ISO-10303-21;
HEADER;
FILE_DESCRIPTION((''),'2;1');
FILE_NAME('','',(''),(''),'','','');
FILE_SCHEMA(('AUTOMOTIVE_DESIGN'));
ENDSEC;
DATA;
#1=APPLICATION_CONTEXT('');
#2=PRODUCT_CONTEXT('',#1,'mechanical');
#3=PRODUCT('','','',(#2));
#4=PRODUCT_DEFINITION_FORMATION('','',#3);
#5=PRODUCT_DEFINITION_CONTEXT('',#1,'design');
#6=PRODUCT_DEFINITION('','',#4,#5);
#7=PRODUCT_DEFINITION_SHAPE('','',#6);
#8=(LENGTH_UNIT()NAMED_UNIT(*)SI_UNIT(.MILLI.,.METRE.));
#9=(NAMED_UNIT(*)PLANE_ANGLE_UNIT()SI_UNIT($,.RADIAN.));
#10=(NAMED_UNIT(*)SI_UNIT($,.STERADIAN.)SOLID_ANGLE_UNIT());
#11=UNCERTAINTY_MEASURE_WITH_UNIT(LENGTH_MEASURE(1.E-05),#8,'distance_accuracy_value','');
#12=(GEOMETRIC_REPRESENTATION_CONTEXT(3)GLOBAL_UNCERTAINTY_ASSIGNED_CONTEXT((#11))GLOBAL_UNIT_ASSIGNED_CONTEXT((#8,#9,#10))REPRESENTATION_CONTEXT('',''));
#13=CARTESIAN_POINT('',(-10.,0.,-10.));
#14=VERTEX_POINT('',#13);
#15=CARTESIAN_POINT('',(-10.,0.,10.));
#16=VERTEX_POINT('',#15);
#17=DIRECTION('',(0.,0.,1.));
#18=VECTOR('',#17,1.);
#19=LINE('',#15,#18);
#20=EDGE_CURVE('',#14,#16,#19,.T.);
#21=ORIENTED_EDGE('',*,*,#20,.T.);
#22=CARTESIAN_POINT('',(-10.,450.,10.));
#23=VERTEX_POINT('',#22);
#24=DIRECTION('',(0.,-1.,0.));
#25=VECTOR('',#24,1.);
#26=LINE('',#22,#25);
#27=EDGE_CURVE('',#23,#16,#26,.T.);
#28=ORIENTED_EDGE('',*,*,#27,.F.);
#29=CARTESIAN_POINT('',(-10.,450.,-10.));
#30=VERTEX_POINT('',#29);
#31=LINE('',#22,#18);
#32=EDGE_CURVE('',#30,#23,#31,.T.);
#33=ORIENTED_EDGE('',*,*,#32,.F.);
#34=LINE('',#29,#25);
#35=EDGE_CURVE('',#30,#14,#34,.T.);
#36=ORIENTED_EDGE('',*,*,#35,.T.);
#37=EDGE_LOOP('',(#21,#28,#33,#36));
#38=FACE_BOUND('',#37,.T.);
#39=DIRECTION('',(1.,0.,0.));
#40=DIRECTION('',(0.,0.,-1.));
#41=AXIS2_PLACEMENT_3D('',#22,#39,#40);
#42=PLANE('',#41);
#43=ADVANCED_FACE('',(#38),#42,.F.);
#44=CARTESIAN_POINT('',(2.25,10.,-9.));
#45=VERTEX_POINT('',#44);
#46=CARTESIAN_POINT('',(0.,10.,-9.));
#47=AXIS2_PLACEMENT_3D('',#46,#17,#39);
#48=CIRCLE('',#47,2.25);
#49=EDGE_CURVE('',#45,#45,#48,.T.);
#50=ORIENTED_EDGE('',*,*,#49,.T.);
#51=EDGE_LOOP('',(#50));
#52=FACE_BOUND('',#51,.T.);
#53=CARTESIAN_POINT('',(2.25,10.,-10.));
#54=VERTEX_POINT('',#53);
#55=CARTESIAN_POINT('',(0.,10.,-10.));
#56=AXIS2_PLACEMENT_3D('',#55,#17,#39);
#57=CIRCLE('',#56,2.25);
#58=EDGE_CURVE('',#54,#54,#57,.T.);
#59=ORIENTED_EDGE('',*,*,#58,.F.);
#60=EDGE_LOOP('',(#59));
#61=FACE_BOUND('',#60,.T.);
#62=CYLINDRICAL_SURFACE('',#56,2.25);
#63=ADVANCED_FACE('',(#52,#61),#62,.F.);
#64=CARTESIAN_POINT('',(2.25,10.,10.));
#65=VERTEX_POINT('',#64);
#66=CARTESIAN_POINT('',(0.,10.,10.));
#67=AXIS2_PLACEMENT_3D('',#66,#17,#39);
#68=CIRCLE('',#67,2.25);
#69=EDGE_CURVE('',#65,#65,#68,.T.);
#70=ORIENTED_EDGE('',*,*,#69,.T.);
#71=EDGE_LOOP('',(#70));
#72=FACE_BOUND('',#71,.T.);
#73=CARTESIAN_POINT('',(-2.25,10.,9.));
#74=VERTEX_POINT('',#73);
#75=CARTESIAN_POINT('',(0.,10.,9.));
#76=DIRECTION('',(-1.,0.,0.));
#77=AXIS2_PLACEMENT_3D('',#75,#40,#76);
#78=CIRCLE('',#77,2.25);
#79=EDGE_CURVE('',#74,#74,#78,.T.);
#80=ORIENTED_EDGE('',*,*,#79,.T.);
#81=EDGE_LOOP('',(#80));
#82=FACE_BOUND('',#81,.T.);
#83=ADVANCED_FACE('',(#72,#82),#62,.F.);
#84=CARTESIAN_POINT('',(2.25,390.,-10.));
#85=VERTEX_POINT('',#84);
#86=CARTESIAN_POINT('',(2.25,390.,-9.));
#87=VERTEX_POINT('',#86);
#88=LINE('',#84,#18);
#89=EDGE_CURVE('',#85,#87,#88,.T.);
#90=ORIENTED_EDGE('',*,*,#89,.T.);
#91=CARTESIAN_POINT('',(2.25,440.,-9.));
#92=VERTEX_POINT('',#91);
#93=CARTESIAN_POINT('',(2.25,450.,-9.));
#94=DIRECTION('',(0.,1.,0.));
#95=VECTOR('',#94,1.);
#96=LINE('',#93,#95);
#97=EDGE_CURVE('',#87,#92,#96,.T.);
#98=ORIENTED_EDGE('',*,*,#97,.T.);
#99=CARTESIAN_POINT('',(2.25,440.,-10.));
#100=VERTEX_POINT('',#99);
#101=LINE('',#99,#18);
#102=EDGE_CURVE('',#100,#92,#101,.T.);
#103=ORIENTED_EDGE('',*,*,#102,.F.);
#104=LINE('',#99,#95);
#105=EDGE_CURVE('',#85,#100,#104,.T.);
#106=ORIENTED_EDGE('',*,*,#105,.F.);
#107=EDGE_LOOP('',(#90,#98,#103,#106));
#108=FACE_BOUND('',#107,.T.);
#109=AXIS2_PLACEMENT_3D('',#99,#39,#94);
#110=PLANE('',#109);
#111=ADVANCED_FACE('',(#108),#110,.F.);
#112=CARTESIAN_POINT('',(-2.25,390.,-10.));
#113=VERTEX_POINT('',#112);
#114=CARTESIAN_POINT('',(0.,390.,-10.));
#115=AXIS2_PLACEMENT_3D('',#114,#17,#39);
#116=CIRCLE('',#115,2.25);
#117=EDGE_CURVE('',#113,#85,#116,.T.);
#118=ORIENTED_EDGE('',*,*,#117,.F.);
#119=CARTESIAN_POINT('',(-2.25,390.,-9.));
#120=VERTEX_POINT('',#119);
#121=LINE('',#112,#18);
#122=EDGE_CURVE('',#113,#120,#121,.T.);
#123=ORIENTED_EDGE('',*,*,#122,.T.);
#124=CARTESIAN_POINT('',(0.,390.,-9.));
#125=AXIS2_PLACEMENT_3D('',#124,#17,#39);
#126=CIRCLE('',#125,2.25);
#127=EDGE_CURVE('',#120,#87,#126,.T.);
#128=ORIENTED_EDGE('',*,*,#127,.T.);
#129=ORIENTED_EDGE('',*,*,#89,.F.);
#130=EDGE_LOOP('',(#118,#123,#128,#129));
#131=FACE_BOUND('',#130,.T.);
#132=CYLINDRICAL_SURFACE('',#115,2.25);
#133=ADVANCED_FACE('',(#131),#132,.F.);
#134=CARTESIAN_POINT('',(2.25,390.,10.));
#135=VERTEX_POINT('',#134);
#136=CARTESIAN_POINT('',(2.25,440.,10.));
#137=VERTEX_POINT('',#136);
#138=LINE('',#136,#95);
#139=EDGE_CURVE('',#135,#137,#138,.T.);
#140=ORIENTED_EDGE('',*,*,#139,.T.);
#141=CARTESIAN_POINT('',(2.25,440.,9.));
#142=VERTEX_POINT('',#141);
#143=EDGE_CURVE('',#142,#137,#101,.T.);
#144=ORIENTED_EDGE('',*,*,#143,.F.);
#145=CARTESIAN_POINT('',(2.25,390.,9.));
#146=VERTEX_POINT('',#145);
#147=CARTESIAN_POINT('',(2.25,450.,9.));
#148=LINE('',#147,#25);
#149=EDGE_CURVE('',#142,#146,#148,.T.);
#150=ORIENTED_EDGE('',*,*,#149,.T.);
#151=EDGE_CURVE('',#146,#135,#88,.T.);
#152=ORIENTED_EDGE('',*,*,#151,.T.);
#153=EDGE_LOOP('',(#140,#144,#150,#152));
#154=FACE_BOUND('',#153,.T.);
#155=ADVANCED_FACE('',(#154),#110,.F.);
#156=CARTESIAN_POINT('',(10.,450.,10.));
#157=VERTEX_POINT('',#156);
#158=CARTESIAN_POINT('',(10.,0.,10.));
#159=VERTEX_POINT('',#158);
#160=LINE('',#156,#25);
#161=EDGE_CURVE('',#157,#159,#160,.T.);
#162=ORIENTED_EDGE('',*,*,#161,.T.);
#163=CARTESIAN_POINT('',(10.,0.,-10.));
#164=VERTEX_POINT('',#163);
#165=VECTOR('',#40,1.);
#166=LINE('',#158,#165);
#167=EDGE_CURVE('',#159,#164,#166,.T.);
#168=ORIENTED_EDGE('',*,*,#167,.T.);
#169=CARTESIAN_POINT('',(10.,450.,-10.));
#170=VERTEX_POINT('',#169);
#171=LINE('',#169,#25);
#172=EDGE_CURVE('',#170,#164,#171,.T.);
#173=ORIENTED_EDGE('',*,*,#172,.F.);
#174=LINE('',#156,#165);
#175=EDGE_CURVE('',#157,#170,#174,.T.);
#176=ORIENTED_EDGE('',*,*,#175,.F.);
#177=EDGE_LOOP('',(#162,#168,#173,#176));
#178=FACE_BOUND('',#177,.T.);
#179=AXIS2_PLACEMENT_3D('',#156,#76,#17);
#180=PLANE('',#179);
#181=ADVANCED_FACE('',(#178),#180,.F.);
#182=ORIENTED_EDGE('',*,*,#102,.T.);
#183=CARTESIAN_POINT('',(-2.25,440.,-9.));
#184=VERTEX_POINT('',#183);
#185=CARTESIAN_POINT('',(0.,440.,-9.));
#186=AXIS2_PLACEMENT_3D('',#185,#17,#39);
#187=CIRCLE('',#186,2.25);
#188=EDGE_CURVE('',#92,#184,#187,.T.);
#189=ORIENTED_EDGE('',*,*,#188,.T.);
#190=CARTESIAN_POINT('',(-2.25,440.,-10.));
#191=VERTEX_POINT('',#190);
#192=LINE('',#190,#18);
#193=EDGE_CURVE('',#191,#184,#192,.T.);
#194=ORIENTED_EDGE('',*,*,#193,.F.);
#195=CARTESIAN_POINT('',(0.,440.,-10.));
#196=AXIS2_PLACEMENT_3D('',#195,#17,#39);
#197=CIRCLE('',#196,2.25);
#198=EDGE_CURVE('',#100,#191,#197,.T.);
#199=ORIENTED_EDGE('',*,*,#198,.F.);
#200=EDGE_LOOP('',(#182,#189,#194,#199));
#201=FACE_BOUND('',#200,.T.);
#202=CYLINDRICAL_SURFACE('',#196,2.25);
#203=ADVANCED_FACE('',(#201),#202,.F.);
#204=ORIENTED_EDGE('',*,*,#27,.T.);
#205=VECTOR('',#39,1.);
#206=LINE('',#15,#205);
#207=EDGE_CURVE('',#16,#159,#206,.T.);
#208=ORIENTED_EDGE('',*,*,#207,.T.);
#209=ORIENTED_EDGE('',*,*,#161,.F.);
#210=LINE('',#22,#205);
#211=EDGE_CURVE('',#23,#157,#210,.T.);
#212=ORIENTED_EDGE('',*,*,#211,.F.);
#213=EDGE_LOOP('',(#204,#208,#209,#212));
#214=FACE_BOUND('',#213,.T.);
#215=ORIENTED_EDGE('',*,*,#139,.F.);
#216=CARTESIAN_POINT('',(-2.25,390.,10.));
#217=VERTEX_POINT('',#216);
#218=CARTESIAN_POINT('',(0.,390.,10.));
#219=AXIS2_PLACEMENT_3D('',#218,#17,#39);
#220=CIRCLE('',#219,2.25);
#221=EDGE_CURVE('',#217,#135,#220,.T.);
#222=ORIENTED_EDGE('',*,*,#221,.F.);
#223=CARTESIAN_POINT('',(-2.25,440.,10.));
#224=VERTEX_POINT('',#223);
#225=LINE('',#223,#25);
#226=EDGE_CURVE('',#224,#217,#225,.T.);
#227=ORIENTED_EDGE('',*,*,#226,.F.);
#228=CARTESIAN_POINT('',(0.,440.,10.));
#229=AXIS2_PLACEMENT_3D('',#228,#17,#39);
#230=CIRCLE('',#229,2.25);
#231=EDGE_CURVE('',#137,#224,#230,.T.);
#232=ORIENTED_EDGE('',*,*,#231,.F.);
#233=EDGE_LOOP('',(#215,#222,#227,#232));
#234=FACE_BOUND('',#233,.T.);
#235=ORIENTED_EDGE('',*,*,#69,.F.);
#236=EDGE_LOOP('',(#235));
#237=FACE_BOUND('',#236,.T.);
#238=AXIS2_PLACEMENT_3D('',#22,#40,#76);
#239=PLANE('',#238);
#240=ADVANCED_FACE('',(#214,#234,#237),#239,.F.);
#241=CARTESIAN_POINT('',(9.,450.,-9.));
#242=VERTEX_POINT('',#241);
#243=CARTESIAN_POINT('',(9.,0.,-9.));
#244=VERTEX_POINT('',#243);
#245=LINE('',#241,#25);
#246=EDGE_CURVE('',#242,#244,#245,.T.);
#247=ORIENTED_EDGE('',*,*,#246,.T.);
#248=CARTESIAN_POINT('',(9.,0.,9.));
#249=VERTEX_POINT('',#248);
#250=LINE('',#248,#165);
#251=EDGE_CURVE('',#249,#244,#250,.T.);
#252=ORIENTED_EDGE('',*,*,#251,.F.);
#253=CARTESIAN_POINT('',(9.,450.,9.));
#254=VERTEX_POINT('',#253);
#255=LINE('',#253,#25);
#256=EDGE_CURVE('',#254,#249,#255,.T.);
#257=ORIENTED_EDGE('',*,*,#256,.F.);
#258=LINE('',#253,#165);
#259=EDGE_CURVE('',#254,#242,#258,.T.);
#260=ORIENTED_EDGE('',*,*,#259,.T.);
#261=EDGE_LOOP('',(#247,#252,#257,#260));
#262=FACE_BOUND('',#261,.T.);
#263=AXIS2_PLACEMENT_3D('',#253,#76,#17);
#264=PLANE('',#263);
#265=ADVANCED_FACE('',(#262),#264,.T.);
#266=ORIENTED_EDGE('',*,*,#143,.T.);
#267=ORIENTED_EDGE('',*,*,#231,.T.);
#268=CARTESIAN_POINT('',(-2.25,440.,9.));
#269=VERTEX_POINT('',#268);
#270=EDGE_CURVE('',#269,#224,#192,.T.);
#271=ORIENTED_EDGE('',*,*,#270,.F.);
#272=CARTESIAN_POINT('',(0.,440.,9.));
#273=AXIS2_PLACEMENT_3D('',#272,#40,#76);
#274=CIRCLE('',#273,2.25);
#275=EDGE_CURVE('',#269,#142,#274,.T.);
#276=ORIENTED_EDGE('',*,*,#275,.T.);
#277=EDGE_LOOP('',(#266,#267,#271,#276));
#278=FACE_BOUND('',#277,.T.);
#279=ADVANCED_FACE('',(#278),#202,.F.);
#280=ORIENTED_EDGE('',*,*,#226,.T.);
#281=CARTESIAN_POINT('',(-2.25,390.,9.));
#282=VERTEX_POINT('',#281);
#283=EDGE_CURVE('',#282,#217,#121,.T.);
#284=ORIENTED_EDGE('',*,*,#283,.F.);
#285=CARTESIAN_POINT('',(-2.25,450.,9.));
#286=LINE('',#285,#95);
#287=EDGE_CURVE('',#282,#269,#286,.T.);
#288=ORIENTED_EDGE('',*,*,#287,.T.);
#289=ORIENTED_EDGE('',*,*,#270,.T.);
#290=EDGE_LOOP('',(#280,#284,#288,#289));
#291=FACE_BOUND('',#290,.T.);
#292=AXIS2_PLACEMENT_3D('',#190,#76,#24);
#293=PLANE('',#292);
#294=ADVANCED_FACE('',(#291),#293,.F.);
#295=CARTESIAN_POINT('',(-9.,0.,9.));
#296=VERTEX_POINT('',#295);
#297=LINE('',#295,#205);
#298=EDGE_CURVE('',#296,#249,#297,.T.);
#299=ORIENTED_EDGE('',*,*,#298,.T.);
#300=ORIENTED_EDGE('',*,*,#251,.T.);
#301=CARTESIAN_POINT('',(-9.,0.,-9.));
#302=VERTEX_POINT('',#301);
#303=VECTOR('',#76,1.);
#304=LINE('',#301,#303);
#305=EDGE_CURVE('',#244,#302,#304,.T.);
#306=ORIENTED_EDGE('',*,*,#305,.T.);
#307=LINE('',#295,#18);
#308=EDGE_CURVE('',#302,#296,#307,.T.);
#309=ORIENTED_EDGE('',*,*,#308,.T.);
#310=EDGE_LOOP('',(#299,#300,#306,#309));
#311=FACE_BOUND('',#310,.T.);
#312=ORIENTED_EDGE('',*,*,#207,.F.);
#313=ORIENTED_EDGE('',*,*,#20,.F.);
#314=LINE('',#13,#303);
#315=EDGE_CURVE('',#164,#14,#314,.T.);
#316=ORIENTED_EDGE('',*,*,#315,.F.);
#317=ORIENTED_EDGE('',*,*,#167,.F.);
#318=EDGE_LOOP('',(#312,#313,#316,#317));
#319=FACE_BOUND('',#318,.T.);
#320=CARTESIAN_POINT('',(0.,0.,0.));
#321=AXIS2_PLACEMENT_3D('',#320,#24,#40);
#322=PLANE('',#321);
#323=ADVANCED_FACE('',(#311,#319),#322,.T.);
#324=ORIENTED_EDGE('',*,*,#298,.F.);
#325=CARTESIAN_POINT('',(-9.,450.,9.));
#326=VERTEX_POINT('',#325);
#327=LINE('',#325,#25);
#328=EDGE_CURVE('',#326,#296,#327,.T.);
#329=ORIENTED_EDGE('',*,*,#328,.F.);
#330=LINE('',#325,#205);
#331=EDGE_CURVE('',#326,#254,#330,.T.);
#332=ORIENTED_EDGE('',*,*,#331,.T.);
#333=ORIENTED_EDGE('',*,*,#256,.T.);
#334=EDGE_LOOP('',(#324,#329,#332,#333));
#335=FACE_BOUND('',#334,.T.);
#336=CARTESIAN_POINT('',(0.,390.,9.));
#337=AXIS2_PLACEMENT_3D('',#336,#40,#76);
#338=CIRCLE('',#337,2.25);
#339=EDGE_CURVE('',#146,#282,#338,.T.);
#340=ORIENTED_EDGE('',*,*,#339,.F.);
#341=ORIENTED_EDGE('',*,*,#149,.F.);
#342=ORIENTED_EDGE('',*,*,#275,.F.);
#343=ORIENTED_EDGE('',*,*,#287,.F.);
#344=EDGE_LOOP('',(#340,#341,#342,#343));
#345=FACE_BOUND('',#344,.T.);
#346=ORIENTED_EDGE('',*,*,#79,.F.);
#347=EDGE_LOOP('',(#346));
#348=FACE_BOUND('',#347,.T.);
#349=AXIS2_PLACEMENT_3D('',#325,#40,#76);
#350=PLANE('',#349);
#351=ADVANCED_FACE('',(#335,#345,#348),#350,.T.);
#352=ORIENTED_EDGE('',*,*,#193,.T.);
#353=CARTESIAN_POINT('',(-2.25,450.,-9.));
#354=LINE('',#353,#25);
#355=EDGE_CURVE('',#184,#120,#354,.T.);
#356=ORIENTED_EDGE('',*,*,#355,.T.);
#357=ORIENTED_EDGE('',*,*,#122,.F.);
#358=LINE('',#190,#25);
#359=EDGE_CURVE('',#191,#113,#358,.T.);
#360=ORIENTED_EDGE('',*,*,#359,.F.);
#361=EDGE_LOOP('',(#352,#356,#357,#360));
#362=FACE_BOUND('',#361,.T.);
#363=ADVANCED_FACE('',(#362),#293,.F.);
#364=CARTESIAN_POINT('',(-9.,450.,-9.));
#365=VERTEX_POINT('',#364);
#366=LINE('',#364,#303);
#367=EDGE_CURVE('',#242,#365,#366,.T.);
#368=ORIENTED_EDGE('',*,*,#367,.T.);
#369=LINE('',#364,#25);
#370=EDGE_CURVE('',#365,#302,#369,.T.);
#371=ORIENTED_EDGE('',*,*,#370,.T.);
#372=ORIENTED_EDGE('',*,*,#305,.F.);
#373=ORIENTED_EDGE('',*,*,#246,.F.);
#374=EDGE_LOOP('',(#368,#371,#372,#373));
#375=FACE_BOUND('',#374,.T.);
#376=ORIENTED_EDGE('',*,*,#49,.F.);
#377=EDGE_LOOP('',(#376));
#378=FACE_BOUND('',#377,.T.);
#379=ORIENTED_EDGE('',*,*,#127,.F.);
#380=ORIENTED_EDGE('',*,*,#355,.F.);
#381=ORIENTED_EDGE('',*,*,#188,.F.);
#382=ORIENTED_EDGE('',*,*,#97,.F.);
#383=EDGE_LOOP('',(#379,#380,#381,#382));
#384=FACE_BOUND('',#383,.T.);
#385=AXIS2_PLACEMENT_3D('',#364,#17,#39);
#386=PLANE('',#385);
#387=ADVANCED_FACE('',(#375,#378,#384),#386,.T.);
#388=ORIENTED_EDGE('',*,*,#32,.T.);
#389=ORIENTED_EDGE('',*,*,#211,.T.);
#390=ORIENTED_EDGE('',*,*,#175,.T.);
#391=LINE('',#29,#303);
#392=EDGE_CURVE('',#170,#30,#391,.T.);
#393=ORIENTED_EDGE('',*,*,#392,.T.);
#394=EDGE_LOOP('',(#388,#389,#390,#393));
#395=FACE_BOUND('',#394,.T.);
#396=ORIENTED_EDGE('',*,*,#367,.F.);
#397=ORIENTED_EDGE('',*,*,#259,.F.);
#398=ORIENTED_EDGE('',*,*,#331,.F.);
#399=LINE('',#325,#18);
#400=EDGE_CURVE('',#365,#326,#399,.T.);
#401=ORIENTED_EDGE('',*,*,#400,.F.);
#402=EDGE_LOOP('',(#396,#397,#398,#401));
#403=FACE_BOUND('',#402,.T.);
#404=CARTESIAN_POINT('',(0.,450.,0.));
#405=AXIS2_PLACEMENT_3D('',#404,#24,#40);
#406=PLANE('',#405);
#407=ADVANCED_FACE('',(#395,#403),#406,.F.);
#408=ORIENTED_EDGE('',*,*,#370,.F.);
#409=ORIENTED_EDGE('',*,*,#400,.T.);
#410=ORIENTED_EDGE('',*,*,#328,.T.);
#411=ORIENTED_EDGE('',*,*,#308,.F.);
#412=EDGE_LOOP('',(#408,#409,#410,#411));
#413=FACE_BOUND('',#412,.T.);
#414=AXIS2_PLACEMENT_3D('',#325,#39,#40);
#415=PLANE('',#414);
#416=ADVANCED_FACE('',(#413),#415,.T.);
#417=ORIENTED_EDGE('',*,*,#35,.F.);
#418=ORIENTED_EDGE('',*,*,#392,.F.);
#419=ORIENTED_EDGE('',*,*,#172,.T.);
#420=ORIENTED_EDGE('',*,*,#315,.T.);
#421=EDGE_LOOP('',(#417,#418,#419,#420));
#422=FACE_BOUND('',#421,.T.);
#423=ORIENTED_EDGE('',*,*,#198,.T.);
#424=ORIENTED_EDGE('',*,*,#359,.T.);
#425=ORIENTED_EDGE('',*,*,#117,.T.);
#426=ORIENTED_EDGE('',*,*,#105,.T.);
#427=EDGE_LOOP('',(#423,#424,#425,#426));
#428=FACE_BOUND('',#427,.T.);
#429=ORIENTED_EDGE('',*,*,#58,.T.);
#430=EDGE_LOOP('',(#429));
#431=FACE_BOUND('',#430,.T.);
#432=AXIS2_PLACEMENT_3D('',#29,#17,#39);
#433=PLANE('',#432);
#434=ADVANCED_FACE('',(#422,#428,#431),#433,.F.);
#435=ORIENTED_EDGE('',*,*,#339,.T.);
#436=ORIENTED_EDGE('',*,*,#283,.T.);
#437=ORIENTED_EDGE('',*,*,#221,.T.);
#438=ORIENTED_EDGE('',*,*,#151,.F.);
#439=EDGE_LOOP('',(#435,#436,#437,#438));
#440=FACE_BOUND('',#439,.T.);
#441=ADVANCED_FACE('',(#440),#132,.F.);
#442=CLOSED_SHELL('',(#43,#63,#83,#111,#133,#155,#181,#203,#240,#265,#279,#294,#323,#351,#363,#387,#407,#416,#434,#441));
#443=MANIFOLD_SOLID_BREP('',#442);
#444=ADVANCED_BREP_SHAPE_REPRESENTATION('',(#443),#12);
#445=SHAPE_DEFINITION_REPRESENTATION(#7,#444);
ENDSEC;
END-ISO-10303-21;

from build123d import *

# Parameters (mm, degrees)
SKETCH1_W           = 20
SKETCH1_H           = 20
SKETCH1_W_2         = 18
SKETCH1_H_2         = 18
BOSS_EXTRUDE1_DEPTH = 450
SKETCH2_R           = 2.25
CUT_EXTRUDE1_DEPTH  = 451.555213043


with BuildPart() as part:
    # Sketch1 → Boss-Extrude1 (new body)
    with BuildSketch(Plane(origin=(0, 0, 0), x_dir=(1, 0, 0), z_dir=(0, 1, 0))):
        Rectangle(SKETCH1_W, SKETCH1_H)
        Rectangle(SKETCH1_W_2, SKETCH1_H_2, mode=Mode.SUBTRACT)
    extrude(amount=BOSS_EXTRUDE1_DEPTH)

    # Sketch2 → Cut-Extrude1 (cut, through all)
    with BuildSketch(Plane.XY.offset(10)):
        with Locations((0, 10)):
            Circle(SKETCH2_R)
        with BuildLine():
            Line((2.25, 440), (2.25, 390))
            ThreePointArc((2.25, 390), (0, 387.75), (-2.25, 390))
            Line((-2.25, 390), (-2.25, 440))
            ThreePointArc((-2.25, 440), (0, 442.25), (2.25, 440))
        make_face()
    extrude(amount=-CUT_EXTRUDE1_DEPTH, mode=Mode.SUBTRACT)


solid = part.part
